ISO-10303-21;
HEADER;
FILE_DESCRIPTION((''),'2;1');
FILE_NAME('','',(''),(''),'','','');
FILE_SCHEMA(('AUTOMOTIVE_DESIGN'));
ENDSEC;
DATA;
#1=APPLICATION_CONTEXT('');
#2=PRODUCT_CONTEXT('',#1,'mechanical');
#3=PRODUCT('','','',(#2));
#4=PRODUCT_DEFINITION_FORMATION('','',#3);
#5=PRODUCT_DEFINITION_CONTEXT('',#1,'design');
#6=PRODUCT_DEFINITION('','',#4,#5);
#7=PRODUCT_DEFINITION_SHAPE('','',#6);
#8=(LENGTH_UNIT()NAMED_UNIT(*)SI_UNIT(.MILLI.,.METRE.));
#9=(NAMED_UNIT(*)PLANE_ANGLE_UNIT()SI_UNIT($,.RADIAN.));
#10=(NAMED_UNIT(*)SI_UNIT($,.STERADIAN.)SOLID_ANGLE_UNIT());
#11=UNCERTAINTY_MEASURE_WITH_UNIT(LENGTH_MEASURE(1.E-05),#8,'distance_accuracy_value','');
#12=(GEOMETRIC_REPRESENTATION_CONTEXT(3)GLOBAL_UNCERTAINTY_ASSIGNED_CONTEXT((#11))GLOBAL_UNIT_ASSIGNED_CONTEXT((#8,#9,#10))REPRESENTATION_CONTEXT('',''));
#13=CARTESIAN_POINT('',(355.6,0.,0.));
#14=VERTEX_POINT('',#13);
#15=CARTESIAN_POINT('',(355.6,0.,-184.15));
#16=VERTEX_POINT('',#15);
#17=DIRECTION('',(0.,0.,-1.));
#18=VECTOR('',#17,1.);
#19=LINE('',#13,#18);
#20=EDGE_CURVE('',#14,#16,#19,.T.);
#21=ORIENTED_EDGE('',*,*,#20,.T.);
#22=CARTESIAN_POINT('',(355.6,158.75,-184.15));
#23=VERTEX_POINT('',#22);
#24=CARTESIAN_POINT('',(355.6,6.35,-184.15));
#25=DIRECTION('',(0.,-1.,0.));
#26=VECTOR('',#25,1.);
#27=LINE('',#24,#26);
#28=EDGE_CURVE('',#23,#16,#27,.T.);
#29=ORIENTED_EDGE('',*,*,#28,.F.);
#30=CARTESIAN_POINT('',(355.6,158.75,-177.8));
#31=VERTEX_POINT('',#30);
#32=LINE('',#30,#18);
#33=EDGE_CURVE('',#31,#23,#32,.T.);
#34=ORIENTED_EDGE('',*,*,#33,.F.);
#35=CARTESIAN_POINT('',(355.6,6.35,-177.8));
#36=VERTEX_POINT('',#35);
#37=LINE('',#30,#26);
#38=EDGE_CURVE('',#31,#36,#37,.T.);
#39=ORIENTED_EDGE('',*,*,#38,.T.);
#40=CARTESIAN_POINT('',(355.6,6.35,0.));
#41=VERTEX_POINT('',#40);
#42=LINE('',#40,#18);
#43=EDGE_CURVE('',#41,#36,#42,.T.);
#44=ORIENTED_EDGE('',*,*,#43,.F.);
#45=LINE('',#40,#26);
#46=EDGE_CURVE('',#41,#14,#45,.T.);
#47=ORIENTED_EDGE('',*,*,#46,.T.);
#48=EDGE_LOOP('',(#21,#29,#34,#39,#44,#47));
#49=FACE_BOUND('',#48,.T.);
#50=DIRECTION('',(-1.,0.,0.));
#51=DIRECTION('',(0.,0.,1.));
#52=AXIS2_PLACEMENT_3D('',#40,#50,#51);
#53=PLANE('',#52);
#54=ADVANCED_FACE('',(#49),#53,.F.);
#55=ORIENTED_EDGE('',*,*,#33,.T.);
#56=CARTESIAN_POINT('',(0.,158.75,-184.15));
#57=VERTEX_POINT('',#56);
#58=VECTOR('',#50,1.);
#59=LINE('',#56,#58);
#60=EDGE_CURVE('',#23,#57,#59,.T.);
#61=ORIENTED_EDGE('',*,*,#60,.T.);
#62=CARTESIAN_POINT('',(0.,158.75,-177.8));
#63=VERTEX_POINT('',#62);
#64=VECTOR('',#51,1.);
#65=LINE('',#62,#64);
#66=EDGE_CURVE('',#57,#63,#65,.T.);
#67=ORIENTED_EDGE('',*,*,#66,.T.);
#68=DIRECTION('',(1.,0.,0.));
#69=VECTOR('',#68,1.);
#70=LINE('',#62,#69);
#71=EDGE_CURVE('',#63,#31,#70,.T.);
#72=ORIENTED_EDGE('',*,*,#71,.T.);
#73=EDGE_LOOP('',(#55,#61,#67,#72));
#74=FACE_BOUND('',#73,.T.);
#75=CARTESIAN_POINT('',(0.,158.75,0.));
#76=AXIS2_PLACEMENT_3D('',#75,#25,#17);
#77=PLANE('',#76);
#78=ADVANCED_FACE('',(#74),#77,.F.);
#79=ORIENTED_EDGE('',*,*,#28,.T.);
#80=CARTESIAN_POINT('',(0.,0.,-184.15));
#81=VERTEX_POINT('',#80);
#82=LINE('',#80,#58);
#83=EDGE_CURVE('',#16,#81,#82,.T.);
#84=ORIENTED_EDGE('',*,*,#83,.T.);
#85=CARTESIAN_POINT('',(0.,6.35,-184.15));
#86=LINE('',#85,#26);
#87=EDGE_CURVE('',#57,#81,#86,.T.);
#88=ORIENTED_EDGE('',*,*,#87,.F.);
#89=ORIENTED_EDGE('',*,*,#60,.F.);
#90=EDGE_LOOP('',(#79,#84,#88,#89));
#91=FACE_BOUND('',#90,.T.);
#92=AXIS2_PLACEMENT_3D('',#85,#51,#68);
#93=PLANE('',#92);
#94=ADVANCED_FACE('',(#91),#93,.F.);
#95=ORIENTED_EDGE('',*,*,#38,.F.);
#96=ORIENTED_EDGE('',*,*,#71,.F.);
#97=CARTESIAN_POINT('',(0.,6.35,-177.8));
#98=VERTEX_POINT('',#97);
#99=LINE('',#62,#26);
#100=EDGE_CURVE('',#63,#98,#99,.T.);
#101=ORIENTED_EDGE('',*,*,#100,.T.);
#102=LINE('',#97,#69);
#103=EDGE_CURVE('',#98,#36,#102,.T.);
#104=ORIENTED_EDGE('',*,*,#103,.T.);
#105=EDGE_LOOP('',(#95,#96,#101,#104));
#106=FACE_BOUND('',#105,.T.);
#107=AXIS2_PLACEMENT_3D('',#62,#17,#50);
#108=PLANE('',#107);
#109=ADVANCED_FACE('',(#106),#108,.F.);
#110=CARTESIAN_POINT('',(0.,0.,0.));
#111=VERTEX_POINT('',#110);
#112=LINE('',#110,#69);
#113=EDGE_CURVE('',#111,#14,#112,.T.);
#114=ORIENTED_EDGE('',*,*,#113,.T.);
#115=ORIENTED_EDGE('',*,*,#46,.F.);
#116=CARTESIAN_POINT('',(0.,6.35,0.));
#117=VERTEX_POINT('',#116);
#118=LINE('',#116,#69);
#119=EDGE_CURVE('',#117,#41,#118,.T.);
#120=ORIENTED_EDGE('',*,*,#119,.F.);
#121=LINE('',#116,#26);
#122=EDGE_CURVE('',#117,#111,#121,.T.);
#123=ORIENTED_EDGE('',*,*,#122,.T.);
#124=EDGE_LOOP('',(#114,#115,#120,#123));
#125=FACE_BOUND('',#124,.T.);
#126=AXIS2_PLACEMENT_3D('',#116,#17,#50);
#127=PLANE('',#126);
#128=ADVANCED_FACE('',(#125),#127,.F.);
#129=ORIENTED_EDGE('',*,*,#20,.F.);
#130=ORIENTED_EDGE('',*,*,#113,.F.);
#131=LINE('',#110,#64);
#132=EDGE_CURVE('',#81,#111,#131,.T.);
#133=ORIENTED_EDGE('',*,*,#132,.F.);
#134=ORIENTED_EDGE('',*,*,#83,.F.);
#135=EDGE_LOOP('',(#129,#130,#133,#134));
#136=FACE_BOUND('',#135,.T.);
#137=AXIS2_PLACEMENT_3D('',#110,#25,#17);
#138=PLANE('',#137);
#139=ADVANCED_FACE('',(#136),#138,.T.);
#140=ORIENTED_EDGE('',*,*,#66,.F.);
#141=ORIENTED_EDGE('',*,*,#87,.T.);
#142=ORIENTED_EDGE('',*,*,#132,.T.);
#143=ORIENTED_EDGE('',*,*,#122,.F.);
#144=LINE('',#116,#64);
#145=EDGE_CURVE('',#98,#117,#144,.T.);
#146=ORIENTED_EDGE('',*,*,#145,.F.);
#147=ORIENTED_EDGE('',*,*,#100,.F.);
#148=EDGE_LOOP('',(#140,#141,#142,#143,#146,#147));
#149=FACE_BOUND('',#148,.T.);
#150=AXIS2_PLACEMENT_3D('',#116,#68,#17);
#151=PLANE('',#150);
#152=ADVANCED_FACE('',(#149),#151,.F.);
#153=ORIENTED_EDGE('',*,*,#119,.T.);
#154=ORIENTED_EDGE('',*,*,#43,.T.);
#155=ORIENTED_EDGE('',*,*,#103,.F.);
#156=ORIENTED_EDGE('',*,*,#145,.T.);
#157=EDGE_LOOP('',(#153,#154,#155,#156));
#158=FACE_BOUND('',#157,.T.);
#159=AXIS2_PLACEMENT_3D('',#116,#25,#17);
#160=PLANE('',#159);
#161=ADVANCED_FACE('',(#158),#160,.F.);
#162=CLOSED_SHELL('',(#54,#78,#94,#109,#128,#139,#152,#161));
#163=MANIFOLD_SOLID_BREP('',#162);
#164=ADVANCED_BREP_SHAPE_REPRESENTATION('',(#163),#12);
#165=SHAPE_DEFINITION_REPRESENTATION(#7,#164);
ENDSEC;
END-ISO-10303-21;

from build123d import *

# Parameters (mm, degrees)
SKETCH1_W           = 355.6
SKETCH1_H           = 184.15
BOSS_EXTRUDE1_DEPTH = 6.35
SKETCH2_W           = 355.6
SKETCH2_H           = 6.35
BOSS_EXTRUDE2_DEPTH = 152.4


with BuildPart() as part:
    # Sketch1 → Boss-Extrude1 (new body)
    with BuildSketch(Plane(origin=(0, 0, 0), x_dir=(1, 0, 0), z_dir=(0, 1, 0))):
        with Locations((177.8, 92.075)):
            Rectangle(SKETCH1_W, SKETCH1_H)
    extrude(amount=BOSS_EXTRUDE1_DEPTH)

    # Sketch2 → Boss-Extrude2 (add)
    with BuildSketch(Plane(origin=(0, 6.35, 0), x_dir=(1, 0, 0), z_dir=(0, 1, 0))):
        with Locations((177.8, 180.975)):
            Rectangle(SKETCH2_W, SKETCH2_H)
    extrude(amount=BOSS_EXTRUDE2_DEPTH)


solid = part.part
